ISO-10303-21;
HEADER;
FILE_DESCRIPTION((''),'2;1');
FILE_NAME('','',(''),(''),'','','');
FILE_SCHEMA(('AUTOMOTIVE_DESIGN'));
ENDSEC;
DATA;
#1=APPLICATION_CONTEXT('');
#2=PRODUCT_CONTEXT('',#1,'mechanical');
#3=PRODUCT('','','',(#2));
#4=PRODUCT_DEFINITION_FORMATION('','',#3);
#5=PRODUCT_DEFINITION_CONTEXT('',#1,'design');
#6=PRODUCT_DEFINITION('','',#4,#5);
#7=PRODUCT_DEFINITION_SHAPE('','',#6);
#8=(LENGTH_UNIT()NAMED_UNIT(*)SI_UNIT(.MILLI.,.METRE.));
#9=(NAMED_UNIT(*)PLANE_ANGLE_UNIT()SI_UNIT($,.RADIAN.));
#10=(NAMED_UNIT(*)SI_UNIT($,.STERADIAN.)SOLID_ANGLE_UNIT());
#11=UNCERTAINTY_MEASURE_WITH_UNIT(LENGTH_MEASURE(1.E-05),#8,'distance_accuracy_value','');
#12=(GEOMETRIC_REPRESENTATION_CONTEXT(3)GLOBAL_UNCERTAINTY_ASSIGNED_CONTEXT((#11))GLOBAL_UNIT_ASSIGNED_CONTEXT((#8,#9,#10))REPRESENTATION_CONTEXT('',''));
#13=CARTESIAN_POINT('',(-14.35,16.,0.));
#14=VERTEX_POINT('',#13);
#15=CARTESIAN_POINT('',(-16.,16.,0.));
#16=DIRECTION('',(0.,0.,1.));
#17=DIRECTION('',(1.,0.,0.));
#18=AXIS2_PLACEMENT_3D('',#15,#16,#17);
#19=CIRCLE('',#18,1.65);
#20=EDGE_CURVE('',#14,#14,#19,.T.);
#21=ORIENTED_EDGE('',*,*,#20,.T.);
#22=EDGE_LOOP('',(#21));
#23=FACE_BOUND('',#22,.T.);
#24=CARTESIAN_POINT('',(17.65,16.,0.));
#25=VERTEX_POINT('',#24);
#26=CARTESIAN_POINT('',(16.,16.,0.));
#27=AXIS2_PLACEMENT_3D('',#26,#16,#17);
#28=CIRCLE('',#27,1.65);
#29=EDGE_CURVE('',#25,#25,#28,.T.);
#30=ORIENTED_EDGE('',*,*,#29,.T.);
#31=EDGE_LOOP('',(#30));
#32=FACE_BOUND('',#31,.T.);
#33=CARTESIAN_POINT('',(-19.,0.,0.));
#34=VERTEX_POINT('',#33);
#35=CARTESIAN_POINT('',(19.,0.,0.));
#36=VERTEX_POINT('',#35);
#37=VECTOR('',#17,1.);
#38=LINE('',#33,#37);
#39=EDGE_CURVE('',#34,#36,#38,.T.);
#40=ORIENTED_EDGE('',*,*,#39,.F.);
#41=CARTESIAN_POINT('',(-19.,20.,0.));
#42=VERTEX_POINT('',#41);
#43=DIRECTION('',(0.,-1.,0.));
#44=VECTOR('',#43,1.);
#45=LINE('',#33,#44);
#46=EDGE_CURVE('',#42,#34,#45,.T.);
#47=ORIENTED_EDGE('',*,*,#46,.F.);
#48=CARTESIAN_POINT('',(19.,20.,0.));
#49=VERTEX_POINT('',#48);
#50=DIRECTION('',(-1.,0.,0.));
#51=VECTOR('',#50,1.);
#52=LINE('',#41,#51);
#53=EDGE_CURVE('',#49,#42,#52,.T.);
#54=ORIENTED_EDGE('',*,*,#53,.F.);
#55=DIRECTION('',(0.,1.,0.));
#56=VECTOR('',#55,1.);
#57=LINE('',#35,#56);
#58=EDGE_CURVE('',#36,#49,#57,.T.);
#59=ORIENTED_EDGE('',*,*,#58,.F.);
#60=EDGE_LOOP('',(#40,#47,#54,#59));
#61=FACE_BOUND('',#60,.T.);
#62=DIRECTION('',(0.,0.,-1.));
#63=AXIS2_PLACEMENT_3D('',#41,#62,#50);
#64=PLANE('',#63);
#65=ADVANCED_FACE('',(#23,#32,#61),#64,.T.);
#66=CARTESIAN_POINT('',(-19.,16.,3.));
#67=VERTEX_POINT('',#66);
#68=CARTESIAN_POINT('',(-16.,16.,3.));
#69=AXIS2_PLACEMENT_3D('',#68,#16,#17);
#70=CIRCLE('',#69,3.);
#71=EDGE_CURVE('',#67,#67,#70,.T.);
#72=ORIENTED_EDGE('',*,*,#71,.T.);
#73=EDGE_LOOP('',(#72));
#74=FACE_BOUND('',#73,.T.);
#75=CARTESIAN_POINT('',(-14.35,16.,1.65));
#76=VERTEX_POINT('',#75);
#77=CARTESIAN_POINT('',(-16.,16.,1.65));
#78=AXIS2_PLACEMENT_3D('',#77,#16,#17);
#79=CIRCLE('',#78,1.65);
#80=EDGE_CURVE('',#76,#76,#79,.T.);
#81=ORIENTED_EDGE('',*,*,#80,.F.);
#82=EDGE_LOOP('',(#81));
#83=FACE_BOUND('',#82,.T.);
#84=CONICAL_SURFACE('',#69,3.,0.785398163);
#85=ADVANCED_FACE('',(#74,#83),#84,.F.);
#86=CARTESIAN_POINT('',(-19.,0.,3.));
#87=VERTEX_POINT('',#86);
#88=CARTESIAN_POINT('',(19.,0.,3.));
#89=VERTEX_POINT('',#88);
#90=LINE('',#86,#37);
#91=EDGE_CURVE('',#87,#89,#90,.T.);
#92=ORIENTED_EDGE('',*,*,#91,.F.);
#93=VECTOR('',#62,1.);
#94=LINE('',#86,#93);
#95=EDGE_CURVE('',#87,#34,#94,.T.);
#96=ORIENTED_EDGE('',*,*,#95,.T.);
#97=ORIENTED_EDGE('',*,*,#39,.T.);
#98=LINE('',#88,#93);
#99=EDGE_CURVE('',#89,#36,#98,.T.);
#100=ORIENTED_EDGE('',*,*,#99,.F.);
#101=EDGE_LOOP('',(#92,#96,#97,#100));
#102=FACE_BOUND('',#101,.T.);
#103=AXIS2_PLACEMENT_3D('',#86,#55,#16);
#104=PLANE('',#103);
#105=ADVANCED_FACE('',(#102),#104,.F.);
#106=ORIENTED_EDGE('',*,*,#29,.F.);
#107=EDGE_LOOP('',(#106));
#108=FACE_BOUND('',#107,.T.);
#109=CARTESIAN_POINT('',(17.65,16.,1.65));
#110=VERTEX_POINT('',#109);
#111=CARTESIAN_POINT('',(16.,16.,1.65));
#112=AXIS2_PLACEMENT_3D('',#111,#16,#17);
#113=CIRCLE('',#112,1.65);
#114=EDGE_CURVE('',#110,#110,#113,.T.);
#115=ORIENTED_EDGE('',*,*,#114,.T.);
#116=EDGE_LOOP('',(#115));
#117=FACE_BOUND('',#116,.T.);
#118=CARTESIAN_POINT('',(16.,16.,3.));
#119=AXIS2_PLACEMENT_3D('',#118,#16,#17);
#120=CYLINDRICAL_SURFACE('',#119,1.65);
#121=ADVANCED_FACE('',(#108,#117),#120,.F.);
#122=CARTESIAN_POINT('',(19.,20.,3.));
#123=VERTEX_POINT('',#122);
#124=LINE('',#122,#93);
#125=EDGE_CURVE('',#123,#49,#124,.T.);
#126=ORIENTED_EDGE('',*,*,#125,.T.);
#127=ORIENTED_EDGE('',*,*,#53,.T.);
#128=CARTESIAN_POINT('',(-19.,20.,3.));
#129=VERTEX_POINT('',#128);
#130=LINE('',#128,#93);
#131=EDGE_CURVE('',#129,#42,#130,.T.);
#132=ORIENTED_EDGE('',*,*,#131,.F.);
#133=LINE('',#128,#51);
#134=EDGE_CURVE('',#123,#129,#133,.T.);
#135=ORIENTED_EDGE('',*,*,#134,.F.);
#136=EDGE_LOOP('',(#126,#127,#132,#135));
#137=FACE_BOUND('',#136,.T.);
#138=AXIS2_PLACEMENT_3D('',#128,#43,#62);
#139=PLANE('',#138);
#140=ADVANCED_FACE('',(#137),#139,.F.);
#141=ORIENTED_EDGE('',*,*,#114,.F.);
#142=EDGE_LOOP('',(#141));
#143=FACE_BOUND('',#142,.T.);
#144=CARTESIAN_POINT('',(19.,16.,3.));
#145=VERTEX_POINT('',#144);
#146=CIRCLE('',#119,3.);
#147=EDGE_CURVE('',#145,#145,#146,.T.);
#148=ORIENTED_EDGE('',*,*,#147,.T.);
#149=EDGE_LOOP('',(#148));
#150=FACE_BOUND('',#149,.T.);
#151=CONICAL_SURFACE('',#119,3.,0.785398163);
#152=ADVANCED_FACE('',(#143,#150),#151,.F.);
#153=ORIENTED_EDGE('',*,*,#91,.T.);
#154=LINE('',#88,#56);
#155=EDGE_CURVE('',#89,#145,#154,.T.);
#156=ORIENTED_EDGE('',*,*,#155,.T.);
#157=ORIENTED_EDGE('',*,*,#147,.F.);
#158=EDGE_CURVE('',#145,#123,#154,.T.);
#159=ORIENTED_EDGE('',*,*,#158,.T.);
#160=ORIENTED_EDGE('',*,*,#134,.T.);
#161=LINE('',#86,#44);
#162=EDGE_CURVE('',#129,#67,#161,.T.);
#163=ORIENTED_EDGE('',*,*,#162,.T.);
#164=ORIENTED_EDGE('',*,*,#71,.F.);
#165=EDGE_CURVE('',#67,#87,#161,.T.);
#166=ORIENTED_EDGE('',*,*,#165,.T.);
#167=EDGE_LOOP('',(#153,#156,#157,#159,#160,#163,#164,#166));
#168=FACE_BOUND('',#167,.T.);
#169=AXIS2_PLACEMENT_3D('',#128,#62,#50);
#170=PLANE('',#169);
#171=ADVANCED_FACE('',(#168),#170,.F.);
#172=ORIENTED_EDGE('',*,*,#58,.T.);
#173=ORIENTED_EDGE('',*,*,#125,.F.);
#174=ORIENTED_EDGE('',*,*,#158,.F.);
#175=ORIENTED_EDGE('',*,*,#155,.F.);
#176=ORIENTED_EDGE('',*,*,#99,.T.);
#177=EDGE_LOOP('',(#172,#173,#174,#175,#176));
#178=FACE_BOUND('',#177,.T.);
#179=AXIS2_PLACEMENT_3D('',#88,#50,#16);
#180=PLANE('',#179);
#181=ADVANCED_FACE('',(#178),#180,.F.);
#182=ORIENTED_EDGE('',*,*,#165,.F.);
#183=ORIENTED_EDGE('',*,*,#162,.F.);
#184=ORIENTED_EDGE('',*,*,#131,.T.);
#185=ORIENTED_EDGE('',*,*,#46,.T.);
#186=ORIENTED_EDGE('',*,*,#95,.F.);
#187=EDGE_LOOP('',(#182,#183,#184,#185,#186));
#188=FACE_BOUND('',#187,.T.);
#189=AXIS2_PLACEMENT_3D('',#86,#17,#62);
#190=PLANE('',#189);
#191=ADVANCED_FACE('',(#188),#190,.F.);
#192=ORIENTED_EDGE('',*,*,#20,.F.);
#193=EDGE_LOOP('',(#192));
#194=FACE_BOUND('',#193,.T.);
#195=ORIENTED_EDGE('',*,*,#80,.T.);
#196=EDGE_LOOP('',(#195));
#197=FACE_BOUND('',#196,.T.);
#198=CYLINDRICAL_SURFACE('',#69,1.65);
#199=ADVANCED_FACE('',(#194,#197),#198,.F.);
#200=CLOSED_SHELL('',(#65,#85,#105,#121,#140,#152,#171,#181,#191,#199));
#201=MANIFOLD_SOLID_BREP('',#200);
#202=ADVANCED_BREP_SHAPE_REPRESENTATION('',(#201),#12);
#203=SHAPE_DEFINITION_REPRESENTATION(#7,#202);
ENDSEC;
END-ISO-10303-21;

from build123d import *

# Parameters (mm, degrees)
SKETCH1_W                                       = 38
SKETCH1_H                                       = 20
BOSS_EXTRUDE1_DEPTH                             = 3
CSK_FOR_M3_FLAT_HEAD_MACHINE_SCREW1_D           = 3.3
CSK_FOR_M3_FLAT_HEAD_MACHINE_SCREW1_CSINK_D     = 6
CSK_FOR_M3_FLAT_HEAD_MACHINE_SCREW1_CSINK_ANGLE = 90


with BuildPart() as part:
    # Sketch1 → Boss-Extrude1 (new body)
    with BuildSketch(Plane.XY):
        with Locations((0, 10)):
            Rectangle(SKETCH1_W, SKETCH1_H)
    extrude(amount=BOSS_EXTRUDE1_DEPTH)

    # CSK for M3 Flat Head Machine Screw1 (through all)
    with Locations(Plane.XY.offset(3)):
        with Locations((-16, 16), (16, 16)):
            CounterSinkHole(CSK_FOR_M3_FLAT_HEAD_MACHINE_SCREW1_D / 2, CSK_FOR_M3_FLAT_HEAD_MACHINE_SCREW1_CSINK_D / 2, counter_sink_angle=CSK_FOR_M3_FLAT_HEAD_MACHINE_SCREW1_CSINK_ANGLE)


solid = part.part
